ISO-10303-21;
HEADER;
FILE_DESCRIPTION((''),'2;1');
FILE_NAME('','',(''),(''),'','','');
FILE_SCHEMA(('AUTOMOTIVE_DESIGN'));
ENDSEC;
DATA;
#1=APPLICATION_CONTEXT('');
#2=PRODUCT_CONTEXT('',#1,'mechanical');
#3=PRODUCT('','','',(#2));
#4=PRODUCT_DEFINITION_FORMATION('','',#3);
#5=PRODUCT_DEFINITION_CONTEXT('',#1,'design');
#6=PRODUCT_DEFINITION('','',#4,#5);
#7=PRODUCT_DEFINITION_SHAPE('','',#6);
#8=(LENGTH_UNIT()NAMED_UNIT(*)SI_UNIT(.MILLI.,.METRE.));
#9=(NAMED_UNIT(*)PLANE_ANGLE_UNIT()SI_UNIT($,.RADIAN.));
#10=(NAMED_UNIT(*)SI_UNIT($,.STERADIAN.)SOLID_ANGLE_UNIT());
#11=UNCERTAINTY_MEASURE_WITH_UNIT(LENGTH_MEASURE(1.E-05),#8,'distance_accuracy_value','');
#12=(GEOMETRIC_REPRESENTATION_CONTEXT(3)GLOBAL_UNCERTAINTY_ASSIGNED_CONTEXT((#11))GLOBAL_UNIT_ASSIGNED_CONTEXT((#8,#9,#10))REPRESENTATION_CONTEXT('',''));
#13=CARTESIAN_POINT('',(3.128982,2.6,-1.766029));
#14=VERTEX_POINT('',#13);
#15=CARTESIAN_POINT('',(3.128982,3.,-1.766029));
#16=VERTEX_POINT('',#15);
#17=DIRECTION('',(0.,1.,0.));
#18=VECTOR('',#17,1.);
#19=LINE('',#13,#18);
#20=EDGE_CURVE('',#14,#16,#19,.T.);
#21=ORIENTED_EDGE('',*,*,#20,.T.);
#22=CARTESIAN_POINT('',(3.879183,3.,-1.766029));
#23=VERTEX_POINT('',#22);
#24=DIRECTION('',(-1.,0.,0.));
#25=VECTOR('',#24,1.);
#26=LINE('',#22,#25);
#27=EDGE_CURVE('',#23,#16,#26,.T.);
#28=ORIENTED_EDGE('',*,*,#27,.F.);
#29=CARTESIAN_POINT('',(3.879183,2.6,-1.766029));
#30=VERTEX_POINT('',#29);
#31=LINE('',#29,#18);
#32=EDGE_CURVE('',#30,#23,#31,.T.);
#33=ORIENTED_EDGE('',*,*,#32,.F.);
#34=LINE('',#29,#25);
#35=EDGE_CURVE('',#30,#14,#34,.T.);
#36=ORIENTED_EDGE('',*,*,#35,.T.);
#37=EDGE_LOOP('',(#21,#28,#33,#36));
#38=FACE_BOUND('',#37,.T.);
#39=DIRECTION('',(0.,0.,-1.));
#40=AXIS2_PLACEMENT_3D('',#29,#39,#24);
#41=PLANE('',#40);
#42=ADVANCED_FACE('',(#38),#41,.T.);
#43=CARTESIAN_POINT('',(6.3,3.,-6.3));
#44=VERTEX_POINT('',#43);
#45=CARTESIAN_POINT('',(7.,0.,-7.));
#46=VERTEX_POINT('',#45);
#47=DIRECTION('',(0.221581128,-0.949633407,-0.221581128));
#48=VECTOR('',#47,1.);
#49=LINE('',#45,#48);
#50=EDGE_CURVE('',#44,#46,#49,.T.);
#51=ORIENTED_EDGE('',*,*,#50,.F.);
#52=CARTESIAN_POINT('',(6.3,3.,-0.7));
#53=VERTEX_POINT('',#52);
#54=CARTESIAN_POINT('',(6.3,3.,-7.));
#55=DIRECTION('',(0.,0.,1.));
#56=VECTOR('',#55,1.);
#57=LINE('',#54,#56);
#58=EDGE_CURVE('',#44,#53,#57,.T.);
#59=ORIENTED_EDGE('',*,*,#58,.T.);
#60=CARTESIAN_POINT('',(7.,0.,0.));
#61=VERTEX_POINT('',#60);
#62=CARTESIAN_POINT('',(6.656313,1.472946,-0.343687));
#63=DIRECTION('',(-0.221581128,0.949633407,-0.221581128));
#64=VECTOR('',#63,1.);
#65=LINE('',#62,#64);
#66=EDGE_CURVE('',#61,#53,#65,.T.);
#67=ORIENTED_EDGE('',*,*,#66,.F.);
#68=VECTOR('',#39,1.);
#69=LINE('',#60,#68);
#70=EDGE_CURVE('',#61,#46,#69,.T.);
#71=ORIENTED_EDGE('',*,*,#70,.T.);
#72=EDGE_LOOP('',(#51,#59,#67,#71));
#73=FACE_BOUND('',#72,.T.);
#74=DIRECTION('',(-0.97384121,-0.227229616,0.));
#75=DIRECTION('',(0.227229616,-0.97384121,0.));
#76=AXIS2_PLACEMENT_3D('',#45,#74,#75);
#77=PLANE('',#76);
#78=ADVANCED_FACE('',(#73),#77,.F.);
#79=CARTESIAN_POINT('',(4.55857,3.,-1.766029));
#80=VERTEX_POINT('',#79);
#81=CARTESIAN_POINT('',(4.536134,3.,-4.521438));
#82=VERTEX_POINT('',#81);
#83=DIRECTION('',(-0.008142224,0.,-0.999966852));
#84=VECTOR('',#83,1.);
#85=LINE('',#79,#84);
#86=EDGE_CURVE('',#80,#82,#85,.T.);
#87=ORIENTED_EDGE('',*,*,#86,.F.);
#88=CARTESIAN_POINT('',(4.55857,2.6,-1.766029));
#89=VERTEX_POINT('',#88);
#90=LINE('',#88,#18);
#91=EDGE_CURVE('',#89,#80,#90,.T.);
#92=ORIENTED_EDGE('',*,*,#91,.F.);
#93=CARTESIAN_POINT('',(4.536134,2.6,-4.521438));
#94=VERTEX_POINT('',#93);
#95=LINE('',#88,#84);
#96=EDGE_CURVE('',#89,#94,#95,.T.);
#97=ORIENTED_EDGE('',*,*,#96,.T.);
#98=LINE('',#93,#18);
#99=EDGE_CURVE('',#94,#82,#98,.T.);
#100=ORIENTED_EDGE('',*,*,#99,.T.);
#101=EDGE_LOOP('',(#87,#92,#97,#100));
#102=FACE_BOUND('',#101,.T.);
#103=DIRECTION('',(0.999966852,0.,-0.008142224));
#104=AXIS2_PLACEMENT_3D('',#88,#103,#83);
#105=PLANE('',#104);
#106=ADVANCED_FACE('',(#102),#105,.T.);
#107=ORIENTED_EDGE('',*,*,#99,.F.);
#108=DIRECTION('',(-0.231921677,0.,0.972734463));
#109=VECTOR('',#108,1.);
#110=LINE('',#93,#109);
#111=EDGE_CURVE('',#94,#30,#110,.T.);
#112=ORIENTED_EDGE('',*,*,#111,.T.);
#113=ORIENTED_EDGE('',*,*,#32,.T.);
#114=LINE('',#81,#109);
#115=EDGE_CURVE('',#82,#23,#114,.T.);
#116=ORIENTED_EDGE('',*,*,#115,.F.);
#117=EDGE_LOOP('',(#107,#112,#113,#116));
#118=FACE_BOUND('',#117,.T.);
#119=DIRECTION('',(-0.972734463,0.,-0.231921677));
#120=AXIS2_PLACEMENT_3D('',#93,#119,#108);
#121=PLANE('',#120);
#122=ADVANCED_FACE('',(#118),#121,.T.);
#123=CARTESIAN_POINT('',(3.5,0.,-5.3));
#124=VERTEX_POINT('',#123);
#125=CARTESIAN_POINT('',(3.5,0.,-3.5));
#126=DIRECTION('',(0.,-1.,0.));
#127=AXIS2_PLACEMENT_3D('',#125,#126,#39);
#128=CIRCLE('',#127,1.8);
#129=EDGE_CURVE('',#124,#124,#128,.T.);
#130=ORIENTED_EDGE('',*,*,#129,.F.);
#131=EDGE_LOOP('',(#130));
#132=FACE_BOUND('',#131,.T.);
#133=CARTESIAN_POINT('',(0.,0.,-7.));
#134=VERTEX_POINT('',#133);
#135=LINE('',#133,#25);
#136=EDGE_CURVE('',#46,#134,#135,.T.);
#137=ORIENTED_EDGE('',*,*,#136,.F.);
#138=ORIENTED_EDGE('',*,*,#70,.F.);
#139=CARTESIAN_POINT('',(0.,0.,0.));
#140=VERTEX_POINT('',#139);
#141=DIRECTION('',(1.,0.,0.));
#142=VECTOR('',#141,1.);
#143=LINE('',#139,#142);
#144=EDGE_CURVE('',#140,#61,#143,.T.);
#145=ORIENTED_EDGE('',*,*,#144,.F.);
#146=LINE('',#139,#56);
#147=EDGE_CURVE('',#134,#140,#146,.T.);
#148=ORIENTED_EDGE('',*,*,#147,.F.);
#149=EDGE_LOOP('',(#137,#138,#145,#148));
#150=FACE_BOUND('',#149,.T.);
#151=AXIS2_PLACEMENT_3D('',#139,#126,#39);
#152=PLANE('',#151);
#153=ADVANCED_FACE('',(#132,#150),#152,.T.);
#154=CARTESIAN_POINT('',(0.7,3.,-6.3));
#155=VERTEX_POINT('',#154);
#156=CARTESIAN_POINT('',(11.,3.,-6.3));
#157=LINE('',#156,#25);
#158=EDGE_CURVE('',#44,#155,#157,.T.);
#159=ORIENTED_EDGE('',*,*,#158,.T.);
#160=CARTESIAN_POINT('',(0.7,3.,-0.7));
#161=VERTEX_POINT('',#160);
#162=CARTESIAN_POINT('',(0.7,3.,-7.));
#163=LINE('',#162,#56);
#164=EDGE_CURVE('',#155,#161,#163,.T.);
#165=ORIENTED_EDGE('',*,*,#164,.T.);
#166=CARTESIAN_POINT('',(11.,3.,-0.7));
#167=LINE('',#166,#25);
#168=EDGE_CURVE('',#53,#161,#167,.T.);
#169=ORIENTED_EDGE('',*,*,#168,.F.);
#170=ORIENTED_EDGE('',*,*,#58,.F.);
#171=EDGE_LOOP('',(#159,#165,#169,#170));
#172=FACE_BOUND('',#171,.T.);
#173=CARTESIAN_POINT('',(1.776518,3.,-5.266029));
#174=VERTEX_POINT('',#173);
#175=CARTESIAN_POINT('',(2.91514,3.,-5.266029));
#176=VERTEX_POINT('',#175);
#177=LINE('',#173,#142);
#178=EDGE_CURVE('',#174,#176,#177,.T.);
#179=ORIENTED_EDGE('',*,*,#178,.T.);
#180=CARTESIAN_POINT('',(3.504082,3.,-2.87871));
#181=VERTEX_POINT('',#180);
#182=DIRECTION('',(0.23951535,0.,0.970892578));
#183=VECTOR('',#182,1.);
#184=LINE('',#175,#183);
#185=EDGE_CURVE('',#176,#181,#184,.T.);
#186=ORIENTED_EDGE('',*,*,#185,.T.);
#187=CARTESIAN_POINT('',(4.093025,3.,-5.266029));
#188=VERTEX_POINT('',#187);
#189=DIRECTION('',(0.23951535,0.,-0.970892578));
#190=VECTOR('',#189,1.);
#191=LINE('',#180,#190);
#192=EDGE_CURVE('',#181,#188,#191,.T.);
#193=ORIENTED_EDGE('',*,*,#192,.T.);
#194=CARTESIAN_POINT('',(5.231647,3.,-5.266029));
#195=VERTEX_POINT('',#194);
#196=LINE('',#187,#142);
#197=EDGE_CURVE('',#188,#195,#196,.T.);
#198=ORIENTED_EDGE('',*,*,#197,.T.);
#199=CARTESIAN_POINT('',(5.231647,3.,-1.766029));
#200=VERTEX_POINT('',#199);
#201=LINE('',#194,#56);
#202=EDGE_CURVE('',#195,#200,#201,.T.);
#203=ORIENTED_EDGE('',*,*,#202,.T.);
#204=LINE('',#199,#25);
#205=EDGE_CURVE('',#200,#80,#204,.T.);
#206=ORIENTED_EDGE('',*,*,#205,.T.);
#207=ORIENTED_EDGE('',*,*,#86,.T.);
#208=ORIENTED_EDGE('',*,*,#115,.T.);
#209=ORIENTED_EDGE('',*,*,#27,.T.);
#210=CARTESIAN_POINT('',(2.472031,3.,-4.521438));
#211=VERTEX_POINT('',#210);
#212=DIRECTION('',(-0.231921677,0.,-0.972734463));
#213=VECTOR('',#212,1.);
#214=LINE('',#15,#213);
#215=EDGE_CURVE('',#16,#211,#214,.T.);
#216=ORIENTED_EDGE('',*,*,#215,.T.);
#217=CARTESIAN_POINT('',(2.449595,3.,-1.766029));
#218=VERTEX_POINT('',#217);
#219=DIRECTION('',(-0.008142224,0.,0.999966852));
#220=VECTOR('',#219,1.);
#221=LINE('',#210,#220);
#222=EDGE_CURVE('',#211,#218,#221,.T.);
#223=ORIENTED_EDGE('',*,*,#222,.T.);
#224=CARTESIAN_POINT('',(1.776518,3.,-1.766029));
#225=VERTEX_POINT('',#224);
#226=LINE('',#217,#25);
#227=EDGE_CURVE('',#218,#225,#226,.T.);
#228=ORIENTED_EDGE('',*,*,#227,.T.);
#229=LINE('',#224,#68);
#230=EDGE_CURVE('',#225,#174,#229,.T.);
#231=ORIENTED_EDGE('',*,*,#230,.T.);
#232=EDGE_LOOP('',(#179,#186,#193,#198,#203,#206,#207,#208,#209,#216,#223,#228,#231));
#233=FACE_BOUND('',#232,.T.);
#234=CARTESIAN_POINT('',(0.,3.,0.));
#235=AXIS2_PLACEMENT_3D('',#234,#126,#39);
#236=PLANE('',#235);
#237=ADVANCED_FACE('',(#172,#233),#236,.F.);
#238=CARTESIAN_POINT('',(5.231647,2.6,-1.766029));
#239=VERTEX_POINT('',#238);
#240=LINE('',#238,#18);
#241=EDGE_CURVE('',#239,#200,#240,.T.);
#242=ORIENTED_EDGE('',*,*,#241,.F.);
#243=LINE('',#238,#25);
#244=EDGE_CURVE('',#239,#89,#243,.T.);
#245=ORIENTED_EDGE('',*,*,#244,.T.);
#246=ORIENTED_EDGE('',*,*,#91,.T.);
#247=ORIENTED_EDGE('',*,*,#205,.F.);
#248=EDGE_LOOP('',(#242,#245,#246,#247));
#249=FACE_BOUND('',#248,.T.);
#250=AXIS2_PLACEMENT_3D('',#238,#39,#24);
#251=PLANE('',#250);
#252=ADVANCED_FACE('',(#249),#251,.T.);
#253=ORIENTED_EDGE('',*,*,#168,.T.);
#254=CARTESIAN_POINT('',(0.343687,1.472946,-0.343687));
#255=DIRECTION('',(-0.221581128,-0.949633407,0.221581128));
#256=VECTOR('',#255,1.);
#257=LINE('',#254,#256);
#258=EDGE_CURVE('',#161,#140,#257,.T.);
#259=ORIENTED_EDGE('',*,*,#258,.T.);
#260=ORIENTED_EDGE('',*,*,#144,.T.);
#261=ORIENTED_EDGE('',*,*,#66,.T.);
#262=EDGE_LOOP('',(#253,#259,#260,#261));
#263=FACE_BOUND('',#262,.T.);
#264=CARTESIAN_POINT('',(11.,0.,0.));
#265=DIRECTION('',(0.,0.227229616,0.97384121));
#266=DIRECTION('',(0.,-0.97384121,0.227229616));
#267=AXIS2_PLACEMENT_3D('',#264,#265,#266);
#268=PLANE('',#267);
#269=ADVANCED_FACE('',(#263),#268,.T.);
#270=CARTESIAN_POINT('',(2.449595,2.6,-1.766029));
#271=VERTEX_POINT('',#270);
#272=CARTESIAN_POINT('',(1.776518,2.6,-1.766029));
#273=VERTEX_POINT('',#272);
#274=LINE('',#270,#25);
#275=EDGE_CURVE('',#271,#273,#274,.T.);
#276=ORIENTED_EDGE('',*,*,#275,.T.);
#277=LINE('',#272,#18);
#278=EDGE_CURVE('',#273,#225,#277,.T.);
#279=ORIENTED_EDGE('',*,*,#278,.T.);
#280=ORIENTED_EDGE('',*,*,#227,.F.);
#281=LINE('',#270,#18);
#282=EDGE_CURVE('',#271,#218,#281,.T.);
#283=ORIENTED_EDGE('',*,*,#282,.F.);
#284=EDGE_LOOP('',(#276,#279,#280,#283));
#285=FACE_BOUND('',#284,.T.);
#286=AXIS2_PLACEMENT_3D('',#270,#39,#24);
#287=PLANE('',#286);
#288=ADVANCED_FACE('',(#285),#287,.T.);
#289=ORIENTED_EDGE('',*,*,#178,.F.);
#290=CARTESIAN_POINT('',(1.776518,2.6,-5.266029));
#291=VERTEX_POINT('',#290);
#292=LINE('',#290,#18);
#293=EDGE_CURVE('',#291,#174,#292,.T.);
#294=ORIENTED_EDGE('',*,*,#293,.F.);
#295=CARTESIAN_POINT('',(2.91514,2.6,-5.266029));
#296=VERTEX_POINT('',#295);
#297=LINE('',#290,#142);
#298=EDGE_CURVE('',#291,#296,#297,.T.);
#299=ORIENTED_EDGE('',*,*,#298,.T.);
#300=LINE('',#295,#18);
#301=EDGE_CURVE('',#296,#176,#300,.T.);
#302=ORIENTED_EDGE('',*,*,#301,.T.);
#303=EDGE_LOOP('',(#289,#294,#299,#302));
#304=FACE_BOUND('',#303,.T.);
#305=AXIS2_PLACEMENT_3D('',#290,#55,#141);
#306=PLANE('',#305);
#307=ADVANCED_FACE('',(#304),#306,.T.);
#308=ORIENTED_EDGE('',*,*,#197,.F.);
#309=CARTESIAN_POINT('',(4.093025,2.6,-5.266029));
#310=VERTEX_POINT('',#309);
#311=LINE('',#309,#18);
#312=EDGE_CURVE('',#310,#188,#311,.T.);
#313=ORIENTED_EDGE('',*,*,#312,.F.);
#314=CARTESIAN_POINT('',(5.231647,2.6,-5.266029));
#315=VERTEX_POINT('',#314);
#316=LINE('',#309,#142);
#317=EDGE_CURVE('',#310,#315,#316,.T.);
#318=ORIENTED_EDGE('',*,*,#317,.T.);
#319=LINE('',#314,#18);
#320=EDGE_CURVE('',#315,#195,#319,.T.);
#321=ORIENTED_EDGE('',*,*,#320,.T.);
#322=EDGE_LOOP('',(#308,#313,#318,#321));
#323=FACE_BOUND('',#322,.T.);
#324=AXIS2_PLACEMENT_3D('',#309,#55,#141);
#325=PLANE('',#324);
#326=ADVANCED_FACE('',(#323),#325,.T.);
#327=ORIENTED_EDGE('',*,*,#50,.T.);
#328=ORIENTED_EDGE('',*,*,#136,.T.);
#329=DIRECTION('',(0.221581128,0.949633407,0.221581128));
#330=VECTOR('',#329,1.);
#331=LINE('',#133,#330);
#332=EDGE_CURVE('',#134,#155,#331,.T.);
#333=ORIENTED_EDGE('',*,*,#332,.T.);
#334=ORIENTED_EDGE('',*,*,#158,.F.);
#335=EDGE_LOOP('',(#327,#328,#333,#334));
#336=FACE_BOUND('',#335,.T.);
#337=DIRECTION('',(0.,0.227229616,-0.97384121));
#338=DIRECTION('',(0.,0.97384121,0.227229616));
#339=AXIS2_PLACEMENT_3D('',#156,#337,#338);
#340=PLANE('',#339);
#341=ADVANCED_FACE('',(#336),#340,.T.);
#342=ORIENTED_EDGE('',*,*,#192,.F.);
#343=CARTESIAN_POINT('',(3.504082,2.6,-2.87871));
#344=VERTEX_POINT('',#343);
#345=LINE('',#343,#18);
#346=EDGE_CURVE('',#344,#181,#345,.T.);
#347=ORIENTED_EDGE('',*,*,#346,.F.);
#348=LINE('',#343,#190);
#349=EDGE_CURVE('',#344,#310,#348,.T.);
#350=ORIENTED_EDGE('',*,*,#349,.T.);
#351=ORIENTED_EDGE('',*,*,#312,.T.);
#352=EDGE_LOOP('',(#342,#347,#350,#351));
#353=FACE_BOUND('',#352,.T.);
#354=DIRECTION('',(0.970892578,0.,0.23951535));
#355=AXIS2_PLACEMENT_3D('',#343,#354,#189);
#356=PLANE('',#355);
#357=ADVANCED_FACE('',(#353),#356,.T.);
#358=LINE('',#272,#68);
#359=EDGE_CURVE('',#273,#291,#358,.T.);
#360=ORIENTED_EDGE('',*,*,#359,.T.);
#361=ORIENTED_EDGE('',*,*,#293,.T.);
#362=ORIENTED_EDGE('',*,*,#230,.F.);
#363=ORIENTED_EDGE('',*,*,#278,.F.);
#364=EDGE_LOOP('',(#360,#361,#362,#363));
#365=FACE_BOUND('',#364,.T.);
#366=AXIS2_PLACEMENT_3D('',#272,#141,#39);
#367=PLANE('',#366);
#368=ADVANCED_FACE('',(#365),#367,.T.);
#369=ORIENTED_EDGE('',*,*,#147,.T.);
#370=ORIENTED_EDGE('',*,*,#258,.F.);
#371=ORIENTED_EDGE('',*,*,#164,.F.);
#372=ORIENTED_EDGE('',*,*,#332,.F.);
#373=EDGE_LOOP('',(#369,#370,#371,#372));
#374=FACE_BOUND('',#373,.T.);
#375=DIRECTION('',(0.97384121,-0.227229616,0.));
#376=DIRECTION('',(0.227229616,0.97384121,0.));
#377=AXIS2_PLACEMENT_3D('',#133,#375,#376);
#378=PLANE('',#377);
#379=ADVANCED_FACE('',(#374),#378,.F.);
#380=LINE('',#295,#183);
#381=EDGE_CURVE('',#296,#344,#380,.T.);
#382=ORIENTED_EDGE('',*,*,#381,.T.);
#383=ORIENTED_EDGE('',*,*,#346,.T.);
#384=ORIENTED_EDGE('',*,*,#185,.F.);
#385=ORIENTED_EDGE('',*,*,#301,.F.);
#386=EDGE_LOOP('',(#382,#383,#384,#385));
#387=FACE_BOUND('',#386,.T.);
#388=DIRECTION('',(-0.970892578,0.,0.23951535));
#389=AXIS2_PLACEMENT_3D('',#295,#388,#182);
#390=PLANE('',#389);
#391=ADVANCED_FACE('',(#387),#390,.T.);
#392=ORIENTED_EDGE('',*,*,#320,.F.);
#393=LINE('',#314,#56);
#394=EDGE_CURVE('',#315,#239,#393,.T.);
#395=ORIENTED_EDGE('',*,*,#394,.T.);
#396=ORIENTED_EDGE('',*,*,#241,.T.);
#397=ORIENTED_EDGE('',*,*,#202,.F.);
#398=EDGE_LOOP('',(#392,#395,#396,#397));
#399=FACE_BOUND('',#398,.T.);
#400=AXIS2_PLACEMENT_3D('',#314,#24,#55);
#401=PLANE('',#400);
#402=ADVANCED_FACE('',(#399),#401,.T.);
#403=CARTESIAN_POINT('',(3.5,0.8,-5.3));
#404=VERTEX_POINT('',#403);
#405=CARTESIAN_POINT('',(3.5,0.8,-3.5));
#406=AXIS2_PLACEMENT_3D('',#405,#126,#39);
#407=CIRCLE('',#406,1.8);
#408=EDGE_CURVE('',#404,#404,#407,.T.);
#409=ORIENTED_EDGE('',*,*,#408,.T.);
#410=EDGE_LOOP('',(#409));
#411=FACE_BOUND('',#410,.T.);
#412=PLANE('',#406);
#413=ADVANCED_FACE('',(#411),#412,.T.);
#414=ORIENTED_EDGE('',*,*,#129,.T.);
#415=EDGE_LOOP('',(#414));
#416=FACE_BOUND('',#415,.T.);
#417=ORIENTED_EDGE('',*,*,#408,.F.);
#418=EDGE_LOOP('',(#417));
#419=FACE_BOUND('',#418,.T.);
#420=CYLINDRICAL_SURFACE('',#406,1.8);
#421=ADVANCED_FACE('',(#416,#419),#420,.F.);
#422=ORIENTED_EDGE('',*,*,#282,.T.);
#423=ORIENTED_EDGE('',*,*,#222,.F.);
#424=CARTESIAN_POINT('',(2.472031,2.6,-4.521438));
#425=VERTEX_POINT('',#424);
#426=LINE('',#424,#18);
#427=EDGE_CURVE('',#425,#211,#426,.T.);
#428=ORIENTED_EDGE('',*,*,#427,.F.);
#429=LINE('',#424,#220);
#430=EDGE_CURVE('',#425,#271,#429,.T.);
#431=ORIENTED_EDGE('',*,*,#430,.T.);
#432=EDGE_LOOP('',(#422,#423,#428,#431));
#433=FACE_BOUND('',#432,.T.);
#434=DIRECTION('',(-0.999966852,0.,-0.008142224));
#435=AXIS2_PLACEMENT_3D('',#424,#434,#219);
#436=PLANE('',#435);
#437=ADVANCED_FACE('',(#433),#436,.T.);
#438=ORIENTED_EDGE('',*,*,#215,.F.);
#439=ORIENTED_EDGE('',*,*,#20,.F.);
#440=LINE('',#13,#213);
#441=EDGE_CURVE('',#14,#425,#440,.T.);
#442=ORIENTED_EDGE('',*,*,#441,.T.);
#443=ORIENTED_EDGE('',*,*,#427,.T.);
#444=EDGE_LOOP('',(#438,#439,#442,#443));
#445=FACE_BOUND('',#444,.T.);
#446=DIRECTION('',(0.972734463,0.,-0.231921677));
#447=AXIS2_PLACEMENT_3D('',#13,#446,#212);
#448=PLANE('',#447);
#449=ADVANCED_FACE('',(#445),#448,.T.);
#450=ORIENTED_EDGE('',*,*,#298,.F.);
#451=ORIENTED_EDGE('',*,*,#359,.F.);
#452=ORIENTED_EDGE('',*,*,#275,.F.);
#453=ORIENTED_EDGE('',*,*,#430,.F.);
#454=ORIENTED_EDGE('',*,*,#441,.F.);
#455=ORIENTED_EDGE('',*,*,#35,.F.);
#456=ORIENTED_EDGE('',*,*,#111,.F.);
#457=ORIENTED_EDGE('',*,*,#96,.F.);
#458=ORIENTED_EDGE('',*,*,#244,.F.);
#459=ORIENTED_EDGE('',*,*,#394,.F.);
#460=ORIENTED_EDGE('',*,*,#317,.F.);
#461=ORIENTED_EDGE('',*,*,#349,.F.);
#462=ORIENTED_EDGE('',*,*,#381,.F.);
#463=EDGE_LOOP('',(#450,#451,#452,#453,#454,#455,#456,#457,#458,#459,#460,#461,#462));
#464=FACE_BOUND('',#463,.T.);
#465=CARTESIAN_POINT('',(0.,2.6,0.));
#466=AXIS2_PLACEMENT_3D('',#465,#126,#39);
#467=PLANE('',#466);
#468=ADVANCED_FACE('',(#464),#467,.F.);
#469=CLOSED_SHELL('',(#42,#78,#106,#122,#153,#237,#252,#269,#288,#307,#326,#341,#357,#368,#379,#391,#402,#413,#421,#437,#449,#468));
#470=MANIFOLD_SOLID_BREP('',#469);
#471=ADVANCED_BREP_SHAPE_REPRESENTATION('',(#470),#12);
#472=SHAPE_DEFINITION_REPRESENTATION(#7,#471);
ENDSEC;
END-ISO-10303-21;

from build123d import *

# Parameters (mm, degrees)
SKETCH1_W           = 7
SKETCH1_H           = 7
BOSS_EXTRUDE1_DEPTH = 3
CUT_EXTRUDE1_DEPTH  = 7
CUT_EXTRUDE2_DEPTH  = 11
SKETCH4_R           = 1.8
CUT_EXTRUDE3_DEPTH  = 0.8
CUT_EXTRUDE4_DEPTH  = 0.4


with BuildPart() as part:
    # Sketch1 → Boss-Extrude1 (new body)
    with BuildSketch(Plane(origin=(0, 0, 0), x_dir=(1, 0, 0), z_dir=(0, 1, 0))):
        with Locations((3.5, 3.5)):
            Rectangle(SKETCH1_W, SKETCH1_H)
    extrude(amount=BOSS_EXTRUDE1_DEPTH)

    # Sketch2 → Cut-Extrude1 (cut)
    with BuildSketch(Plane.XY):
        Polygon((0, 0), (0.7, 3), (0, 3), align=None)
        Polygon((7, 0), (6.3, 3), (7, 3), align=None)
    extrude(amount=-CUT_EXTRUDE1_DEPTH, mode=Mode.SUBTRACT)

    # Sketch3 → Cut-Extrude2 (cut)
    with BuildSketch(Plane(origin=(0, 0, 0), x_dir=(0, 0, -1), z_dir=(1, 0, 0))):
        Polygon((0, 0), (0.7, 3), (0, 3), align=None)
        Polygon((7, 3), (6.3, 3), (7, 0), align=None)
    extrude(amount=CUT_EXTRUDE2_DEPTH, mode=Mode.SUBTRACT)

    # Sketch4 → Cut-Extrude3 (cut)
    with BuildSketch(Plane.XZ):
        with Locations(Location((3.5, -3.5, 0), (0, 0, 270))):
            Circle(SKETCH4_R)
    extrude(amount=-CUT_EXTRUDE3_DEPTH, mode=Mode.SUBTRACT)

    # Sketch5 → Cut-Extrude4 (cut)
    with BuildSketch(Plane(origin=(0, 3, 0), x_dir=(1, 0, 0), z_dir=(0, 1, 0))):
        Polygon((1.77651834, 1.766029319), (1.77651834, 5.266029319), (2.915140135, 5.266029319), (3.504082443, 2.878709608), (4.09302475, 5.266029319), (5.231646545, 5.266029319), (5.231646545, 1.766029319), (4.558569622, 1.766029319), (4.536133725, 4.521437973), (3.879182603, 1.766029319), (3.128982282, 1.766029319), (2.47203116, 4.521437973), (2.449595263, 1.766029319), align=None)
    extrude(amount=-CUT_EXTRUDE4_DEPTH, mode=Mode.SUBTRACT)


solid = part.part
